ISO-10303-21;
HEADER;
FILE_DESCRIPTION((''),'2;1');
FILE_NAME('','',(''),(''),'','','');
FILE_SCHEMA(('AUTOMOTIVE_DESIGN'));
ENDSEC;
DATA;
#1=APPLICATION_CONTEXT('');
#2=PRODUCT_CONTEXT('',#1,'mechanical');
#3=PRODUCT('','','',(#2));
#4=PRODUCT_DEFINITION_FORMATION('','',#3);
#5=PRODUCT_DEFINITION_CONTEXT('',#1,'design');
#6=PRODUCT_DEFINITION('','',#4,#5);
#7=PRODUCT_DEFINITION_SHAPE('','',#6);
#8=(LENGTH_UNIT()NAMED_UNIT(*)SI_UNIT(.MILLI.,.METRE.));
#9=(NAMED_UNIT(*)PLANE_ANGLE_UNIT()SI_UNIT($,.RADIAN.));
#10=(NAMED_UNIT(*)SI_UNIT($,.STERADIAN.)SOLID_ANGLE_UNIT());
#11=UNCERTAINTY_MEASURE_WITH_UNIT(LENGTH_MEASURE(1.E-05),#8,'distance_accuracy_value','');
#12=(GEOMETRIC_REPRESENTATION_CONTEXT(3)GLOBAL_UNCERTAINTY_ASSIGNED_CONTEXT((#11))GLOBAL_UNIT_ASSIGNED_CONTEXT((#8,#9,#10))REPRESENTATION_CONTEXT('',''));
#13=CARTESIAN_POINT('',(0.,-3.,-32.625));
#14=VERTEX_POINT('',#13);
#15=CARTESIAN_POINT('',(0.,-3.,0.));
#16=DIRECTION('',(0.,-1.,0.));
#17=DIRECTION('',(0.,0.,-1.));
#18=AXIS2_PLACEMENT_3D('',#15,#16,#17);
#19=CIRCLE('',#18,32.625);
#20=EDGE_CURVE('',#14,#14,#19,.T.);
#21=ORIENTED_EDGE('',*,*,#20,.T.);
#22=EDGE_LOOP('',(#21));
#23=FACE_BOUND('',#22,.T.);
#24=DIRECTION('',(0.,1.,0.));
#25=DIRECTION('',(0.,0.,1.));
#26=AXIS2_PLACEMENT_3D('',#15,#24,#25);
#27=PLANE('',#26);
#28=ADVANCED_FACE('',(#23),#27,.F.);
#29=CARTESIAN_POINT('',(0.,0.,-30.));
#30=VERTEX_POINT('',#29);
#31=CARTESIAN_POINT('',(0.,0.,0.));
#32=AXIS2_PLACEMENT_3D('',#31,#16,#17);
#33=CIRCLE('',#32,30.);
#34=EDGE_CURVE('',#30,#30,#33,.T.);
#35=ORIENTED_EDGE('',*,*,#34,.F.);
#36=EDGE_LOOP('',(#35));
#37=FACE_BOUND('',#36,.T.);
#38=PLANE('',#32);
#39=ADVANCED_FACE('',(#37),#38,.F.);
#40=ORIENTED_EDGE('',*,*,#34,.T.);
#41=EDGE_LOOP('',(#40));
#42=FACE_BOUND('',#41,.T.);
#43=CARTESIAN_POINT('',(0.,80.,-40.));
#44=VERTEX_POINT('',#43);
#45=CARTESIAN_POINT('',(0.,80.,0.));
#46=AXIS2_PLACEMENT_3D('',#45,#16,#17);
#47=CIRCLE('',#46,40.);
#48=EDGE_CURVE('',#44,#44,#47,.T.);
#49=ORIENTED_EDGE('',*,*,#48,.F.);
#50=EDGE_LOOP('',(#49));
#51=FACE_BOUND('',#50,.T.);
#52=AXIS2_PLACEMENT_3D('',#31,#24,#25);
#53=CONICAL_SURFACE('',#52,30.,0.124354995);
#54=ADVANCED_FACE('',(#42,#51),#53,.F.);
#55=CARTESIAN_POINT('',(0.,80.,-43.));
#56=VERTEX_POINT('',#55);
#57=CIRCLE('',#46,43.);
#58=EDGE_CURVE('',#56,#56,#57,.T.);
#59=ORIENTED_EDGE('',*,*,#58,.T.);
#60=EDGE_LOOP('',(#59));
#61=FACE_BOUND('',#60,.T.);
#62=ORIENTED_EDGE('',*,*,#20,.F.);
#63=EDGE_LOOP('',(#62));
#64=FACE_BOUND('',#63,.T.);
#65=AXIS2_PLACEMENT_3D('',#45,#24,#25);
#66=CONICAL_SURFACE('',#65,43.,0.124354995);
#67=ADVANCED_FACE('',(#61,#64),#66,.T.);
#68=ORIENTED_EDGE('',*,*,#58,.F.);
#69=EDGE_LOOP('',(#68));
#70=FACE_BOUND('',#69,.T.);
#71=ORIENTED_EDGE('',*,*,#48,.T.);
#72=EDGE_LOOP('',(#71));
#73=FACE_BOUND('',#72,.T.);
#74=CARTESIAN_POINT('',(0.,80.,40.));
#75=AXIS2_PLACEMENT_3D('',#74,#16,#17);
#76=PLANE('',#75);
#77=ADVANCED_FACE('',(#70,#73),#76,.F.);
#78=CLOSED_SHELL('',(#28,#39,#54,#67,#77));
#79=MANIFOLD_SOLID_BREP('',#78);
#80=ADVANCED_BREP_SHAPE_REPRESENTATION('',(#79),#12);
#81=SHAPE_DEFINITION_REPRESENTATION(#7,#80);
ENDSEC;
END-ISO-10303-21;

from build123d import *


with BuildPart() as part:
    # Sketch1 → Revolve1 (revolve)
    with BuildSketch(Plane(origin=(0, 0, 0), x_dir=(0, 0, -1), z_dir=(1, 0, 0)), mode=Mode.PRIVATE) as revolve1_sk:
        Polygon((0, 0), (-30, 0), (-40, 80), (-43, 80), (-32.625, -3), (0, -3), align=None)
    revolve(revolve1_sk.sketch.rotate(Axis((0, 0, 0), (0, 1, 0)), 180), axis=Axis((0, 0, 0), (0, 1, 0)))


solid = part.part
